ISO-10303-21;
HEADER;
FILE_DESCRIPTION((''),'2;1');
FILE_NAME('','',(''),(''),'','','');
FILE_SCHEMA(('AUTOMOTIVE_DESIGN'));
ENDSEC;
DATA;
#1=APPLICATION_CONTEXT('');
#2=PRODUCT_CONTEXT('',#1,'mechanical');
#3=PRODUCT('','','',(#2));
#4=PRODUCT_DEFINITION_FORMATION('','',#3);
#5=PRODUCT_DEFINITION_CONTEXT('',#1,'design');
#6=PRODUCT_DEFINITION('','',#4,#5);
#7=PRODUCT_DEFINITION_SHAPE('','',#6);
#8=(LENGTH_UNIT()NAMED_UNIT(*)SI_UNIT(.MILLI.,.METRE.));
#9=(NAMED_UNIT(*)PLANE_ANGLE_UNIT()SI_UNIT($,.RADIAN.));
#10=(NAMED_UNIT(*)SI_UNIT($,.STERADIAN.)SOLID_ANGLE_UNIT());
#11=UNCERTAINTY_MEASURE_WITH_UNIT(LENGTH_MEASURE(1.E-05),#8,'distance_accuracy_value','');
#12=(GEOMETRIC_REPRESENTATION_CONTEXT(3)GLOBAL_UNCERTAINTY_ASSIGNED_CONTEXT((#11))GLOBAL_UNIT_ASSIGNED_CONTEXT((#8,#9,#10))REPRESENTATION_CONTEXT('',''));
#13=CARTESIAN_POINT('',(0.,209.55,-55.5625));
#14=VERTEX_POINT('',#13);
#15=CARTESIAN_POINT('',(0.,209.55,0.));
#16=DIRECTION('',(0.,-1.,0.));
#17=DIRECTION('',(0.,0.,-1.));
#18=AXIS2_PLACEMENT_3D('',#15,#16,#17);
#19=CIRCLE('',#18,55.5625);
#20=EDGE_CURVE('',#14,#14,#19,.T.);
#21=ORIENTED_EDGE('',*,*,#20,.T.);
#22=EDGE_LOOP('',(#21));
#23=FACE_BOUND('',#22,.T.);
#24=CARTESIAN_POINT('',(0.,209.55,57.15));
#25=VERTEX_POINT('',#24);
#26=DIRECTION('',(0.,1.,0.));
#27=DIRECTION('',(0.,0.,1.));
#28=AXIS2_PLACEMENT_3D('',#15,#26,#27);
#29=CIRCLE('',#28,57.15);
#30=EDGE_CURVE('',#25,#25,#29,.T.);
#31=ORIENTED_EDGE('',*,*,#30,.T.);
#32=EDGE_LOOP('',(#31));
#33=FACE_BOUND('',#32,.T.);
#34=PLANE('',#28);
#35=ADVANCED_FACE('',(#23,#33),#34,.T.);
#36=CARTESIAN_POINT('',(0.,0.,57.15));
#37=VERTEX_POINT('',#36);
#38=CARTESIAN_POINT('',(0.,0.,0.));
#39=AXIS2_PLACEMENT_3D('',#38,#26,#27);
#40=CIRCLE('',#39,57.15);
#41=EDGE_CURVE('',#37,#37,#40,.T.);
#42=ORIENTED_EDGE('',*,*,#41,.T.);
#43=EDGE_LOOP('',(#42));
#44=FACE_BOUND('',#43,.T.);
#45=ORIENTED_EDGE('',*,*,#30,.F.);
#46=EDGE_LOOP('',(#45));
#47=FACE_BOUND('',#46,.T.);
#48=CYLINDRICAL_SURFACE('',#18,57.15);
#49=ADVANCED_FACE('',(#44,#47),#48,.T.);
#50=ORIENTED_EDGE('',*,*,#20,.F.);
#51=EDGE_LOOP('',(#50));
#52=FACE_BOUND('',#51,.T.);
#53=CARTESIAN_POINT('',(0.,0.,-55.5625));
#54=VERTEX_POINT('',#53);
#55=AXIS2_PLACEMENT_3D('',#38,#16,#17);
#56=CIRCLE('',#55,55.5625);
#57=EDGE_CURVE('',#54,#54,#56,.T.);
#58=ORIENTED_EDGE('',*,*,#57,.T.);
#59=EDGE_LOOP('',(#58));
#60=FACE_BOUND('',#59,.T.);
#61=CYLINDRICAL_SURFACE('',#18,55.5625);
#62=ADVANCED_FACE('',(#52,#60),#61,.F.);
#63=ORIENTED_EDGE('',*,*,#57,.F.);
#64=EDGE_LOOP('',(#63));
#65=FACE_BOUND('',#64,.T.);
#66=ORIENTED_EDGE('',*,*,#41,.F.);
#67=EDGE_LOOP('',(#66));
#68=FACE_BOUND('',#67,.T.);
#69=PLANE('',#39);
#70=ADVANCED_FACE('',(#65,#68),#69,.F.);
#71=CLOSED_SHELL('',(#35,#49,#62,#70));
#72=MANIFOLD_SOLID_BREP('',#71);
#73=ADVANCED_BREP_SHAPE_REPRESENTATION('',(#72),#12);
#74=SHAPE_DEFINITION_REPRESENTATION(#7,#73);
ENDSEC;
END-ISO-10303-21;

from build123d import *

# Parameters (mm, degrees)
SKETCH1_R           = 57.15
BOSS_EXTRUDE1_DEPTH = 209.55
SKETCH4_R           = 55.5625
CUT_EXTRUDE1_DEPTH  = 210.55


with BuildPart() as part:
    # Sketch1 → Boss-Extrude1 (new body)
    with BuildSketch(Plane(origin=(0, 0, 0), x_dir=(1, 0, 0), z_dir=(0, 1, 0))):
        Circle(SKETCH1_R)
    extrude(amount=BOSS_EXTRUDE1_DEPTH)

    # Sketch4 → Cut-Extrude1 (cut, through all)
    with BuildSketch(Plane.XZ):
        Circle(SKETCH4_R)
    extrude(amount=-CUT_EXTRUDE1_DEPTH, mode=Mode.SUBTRACT)


solid = part.part
